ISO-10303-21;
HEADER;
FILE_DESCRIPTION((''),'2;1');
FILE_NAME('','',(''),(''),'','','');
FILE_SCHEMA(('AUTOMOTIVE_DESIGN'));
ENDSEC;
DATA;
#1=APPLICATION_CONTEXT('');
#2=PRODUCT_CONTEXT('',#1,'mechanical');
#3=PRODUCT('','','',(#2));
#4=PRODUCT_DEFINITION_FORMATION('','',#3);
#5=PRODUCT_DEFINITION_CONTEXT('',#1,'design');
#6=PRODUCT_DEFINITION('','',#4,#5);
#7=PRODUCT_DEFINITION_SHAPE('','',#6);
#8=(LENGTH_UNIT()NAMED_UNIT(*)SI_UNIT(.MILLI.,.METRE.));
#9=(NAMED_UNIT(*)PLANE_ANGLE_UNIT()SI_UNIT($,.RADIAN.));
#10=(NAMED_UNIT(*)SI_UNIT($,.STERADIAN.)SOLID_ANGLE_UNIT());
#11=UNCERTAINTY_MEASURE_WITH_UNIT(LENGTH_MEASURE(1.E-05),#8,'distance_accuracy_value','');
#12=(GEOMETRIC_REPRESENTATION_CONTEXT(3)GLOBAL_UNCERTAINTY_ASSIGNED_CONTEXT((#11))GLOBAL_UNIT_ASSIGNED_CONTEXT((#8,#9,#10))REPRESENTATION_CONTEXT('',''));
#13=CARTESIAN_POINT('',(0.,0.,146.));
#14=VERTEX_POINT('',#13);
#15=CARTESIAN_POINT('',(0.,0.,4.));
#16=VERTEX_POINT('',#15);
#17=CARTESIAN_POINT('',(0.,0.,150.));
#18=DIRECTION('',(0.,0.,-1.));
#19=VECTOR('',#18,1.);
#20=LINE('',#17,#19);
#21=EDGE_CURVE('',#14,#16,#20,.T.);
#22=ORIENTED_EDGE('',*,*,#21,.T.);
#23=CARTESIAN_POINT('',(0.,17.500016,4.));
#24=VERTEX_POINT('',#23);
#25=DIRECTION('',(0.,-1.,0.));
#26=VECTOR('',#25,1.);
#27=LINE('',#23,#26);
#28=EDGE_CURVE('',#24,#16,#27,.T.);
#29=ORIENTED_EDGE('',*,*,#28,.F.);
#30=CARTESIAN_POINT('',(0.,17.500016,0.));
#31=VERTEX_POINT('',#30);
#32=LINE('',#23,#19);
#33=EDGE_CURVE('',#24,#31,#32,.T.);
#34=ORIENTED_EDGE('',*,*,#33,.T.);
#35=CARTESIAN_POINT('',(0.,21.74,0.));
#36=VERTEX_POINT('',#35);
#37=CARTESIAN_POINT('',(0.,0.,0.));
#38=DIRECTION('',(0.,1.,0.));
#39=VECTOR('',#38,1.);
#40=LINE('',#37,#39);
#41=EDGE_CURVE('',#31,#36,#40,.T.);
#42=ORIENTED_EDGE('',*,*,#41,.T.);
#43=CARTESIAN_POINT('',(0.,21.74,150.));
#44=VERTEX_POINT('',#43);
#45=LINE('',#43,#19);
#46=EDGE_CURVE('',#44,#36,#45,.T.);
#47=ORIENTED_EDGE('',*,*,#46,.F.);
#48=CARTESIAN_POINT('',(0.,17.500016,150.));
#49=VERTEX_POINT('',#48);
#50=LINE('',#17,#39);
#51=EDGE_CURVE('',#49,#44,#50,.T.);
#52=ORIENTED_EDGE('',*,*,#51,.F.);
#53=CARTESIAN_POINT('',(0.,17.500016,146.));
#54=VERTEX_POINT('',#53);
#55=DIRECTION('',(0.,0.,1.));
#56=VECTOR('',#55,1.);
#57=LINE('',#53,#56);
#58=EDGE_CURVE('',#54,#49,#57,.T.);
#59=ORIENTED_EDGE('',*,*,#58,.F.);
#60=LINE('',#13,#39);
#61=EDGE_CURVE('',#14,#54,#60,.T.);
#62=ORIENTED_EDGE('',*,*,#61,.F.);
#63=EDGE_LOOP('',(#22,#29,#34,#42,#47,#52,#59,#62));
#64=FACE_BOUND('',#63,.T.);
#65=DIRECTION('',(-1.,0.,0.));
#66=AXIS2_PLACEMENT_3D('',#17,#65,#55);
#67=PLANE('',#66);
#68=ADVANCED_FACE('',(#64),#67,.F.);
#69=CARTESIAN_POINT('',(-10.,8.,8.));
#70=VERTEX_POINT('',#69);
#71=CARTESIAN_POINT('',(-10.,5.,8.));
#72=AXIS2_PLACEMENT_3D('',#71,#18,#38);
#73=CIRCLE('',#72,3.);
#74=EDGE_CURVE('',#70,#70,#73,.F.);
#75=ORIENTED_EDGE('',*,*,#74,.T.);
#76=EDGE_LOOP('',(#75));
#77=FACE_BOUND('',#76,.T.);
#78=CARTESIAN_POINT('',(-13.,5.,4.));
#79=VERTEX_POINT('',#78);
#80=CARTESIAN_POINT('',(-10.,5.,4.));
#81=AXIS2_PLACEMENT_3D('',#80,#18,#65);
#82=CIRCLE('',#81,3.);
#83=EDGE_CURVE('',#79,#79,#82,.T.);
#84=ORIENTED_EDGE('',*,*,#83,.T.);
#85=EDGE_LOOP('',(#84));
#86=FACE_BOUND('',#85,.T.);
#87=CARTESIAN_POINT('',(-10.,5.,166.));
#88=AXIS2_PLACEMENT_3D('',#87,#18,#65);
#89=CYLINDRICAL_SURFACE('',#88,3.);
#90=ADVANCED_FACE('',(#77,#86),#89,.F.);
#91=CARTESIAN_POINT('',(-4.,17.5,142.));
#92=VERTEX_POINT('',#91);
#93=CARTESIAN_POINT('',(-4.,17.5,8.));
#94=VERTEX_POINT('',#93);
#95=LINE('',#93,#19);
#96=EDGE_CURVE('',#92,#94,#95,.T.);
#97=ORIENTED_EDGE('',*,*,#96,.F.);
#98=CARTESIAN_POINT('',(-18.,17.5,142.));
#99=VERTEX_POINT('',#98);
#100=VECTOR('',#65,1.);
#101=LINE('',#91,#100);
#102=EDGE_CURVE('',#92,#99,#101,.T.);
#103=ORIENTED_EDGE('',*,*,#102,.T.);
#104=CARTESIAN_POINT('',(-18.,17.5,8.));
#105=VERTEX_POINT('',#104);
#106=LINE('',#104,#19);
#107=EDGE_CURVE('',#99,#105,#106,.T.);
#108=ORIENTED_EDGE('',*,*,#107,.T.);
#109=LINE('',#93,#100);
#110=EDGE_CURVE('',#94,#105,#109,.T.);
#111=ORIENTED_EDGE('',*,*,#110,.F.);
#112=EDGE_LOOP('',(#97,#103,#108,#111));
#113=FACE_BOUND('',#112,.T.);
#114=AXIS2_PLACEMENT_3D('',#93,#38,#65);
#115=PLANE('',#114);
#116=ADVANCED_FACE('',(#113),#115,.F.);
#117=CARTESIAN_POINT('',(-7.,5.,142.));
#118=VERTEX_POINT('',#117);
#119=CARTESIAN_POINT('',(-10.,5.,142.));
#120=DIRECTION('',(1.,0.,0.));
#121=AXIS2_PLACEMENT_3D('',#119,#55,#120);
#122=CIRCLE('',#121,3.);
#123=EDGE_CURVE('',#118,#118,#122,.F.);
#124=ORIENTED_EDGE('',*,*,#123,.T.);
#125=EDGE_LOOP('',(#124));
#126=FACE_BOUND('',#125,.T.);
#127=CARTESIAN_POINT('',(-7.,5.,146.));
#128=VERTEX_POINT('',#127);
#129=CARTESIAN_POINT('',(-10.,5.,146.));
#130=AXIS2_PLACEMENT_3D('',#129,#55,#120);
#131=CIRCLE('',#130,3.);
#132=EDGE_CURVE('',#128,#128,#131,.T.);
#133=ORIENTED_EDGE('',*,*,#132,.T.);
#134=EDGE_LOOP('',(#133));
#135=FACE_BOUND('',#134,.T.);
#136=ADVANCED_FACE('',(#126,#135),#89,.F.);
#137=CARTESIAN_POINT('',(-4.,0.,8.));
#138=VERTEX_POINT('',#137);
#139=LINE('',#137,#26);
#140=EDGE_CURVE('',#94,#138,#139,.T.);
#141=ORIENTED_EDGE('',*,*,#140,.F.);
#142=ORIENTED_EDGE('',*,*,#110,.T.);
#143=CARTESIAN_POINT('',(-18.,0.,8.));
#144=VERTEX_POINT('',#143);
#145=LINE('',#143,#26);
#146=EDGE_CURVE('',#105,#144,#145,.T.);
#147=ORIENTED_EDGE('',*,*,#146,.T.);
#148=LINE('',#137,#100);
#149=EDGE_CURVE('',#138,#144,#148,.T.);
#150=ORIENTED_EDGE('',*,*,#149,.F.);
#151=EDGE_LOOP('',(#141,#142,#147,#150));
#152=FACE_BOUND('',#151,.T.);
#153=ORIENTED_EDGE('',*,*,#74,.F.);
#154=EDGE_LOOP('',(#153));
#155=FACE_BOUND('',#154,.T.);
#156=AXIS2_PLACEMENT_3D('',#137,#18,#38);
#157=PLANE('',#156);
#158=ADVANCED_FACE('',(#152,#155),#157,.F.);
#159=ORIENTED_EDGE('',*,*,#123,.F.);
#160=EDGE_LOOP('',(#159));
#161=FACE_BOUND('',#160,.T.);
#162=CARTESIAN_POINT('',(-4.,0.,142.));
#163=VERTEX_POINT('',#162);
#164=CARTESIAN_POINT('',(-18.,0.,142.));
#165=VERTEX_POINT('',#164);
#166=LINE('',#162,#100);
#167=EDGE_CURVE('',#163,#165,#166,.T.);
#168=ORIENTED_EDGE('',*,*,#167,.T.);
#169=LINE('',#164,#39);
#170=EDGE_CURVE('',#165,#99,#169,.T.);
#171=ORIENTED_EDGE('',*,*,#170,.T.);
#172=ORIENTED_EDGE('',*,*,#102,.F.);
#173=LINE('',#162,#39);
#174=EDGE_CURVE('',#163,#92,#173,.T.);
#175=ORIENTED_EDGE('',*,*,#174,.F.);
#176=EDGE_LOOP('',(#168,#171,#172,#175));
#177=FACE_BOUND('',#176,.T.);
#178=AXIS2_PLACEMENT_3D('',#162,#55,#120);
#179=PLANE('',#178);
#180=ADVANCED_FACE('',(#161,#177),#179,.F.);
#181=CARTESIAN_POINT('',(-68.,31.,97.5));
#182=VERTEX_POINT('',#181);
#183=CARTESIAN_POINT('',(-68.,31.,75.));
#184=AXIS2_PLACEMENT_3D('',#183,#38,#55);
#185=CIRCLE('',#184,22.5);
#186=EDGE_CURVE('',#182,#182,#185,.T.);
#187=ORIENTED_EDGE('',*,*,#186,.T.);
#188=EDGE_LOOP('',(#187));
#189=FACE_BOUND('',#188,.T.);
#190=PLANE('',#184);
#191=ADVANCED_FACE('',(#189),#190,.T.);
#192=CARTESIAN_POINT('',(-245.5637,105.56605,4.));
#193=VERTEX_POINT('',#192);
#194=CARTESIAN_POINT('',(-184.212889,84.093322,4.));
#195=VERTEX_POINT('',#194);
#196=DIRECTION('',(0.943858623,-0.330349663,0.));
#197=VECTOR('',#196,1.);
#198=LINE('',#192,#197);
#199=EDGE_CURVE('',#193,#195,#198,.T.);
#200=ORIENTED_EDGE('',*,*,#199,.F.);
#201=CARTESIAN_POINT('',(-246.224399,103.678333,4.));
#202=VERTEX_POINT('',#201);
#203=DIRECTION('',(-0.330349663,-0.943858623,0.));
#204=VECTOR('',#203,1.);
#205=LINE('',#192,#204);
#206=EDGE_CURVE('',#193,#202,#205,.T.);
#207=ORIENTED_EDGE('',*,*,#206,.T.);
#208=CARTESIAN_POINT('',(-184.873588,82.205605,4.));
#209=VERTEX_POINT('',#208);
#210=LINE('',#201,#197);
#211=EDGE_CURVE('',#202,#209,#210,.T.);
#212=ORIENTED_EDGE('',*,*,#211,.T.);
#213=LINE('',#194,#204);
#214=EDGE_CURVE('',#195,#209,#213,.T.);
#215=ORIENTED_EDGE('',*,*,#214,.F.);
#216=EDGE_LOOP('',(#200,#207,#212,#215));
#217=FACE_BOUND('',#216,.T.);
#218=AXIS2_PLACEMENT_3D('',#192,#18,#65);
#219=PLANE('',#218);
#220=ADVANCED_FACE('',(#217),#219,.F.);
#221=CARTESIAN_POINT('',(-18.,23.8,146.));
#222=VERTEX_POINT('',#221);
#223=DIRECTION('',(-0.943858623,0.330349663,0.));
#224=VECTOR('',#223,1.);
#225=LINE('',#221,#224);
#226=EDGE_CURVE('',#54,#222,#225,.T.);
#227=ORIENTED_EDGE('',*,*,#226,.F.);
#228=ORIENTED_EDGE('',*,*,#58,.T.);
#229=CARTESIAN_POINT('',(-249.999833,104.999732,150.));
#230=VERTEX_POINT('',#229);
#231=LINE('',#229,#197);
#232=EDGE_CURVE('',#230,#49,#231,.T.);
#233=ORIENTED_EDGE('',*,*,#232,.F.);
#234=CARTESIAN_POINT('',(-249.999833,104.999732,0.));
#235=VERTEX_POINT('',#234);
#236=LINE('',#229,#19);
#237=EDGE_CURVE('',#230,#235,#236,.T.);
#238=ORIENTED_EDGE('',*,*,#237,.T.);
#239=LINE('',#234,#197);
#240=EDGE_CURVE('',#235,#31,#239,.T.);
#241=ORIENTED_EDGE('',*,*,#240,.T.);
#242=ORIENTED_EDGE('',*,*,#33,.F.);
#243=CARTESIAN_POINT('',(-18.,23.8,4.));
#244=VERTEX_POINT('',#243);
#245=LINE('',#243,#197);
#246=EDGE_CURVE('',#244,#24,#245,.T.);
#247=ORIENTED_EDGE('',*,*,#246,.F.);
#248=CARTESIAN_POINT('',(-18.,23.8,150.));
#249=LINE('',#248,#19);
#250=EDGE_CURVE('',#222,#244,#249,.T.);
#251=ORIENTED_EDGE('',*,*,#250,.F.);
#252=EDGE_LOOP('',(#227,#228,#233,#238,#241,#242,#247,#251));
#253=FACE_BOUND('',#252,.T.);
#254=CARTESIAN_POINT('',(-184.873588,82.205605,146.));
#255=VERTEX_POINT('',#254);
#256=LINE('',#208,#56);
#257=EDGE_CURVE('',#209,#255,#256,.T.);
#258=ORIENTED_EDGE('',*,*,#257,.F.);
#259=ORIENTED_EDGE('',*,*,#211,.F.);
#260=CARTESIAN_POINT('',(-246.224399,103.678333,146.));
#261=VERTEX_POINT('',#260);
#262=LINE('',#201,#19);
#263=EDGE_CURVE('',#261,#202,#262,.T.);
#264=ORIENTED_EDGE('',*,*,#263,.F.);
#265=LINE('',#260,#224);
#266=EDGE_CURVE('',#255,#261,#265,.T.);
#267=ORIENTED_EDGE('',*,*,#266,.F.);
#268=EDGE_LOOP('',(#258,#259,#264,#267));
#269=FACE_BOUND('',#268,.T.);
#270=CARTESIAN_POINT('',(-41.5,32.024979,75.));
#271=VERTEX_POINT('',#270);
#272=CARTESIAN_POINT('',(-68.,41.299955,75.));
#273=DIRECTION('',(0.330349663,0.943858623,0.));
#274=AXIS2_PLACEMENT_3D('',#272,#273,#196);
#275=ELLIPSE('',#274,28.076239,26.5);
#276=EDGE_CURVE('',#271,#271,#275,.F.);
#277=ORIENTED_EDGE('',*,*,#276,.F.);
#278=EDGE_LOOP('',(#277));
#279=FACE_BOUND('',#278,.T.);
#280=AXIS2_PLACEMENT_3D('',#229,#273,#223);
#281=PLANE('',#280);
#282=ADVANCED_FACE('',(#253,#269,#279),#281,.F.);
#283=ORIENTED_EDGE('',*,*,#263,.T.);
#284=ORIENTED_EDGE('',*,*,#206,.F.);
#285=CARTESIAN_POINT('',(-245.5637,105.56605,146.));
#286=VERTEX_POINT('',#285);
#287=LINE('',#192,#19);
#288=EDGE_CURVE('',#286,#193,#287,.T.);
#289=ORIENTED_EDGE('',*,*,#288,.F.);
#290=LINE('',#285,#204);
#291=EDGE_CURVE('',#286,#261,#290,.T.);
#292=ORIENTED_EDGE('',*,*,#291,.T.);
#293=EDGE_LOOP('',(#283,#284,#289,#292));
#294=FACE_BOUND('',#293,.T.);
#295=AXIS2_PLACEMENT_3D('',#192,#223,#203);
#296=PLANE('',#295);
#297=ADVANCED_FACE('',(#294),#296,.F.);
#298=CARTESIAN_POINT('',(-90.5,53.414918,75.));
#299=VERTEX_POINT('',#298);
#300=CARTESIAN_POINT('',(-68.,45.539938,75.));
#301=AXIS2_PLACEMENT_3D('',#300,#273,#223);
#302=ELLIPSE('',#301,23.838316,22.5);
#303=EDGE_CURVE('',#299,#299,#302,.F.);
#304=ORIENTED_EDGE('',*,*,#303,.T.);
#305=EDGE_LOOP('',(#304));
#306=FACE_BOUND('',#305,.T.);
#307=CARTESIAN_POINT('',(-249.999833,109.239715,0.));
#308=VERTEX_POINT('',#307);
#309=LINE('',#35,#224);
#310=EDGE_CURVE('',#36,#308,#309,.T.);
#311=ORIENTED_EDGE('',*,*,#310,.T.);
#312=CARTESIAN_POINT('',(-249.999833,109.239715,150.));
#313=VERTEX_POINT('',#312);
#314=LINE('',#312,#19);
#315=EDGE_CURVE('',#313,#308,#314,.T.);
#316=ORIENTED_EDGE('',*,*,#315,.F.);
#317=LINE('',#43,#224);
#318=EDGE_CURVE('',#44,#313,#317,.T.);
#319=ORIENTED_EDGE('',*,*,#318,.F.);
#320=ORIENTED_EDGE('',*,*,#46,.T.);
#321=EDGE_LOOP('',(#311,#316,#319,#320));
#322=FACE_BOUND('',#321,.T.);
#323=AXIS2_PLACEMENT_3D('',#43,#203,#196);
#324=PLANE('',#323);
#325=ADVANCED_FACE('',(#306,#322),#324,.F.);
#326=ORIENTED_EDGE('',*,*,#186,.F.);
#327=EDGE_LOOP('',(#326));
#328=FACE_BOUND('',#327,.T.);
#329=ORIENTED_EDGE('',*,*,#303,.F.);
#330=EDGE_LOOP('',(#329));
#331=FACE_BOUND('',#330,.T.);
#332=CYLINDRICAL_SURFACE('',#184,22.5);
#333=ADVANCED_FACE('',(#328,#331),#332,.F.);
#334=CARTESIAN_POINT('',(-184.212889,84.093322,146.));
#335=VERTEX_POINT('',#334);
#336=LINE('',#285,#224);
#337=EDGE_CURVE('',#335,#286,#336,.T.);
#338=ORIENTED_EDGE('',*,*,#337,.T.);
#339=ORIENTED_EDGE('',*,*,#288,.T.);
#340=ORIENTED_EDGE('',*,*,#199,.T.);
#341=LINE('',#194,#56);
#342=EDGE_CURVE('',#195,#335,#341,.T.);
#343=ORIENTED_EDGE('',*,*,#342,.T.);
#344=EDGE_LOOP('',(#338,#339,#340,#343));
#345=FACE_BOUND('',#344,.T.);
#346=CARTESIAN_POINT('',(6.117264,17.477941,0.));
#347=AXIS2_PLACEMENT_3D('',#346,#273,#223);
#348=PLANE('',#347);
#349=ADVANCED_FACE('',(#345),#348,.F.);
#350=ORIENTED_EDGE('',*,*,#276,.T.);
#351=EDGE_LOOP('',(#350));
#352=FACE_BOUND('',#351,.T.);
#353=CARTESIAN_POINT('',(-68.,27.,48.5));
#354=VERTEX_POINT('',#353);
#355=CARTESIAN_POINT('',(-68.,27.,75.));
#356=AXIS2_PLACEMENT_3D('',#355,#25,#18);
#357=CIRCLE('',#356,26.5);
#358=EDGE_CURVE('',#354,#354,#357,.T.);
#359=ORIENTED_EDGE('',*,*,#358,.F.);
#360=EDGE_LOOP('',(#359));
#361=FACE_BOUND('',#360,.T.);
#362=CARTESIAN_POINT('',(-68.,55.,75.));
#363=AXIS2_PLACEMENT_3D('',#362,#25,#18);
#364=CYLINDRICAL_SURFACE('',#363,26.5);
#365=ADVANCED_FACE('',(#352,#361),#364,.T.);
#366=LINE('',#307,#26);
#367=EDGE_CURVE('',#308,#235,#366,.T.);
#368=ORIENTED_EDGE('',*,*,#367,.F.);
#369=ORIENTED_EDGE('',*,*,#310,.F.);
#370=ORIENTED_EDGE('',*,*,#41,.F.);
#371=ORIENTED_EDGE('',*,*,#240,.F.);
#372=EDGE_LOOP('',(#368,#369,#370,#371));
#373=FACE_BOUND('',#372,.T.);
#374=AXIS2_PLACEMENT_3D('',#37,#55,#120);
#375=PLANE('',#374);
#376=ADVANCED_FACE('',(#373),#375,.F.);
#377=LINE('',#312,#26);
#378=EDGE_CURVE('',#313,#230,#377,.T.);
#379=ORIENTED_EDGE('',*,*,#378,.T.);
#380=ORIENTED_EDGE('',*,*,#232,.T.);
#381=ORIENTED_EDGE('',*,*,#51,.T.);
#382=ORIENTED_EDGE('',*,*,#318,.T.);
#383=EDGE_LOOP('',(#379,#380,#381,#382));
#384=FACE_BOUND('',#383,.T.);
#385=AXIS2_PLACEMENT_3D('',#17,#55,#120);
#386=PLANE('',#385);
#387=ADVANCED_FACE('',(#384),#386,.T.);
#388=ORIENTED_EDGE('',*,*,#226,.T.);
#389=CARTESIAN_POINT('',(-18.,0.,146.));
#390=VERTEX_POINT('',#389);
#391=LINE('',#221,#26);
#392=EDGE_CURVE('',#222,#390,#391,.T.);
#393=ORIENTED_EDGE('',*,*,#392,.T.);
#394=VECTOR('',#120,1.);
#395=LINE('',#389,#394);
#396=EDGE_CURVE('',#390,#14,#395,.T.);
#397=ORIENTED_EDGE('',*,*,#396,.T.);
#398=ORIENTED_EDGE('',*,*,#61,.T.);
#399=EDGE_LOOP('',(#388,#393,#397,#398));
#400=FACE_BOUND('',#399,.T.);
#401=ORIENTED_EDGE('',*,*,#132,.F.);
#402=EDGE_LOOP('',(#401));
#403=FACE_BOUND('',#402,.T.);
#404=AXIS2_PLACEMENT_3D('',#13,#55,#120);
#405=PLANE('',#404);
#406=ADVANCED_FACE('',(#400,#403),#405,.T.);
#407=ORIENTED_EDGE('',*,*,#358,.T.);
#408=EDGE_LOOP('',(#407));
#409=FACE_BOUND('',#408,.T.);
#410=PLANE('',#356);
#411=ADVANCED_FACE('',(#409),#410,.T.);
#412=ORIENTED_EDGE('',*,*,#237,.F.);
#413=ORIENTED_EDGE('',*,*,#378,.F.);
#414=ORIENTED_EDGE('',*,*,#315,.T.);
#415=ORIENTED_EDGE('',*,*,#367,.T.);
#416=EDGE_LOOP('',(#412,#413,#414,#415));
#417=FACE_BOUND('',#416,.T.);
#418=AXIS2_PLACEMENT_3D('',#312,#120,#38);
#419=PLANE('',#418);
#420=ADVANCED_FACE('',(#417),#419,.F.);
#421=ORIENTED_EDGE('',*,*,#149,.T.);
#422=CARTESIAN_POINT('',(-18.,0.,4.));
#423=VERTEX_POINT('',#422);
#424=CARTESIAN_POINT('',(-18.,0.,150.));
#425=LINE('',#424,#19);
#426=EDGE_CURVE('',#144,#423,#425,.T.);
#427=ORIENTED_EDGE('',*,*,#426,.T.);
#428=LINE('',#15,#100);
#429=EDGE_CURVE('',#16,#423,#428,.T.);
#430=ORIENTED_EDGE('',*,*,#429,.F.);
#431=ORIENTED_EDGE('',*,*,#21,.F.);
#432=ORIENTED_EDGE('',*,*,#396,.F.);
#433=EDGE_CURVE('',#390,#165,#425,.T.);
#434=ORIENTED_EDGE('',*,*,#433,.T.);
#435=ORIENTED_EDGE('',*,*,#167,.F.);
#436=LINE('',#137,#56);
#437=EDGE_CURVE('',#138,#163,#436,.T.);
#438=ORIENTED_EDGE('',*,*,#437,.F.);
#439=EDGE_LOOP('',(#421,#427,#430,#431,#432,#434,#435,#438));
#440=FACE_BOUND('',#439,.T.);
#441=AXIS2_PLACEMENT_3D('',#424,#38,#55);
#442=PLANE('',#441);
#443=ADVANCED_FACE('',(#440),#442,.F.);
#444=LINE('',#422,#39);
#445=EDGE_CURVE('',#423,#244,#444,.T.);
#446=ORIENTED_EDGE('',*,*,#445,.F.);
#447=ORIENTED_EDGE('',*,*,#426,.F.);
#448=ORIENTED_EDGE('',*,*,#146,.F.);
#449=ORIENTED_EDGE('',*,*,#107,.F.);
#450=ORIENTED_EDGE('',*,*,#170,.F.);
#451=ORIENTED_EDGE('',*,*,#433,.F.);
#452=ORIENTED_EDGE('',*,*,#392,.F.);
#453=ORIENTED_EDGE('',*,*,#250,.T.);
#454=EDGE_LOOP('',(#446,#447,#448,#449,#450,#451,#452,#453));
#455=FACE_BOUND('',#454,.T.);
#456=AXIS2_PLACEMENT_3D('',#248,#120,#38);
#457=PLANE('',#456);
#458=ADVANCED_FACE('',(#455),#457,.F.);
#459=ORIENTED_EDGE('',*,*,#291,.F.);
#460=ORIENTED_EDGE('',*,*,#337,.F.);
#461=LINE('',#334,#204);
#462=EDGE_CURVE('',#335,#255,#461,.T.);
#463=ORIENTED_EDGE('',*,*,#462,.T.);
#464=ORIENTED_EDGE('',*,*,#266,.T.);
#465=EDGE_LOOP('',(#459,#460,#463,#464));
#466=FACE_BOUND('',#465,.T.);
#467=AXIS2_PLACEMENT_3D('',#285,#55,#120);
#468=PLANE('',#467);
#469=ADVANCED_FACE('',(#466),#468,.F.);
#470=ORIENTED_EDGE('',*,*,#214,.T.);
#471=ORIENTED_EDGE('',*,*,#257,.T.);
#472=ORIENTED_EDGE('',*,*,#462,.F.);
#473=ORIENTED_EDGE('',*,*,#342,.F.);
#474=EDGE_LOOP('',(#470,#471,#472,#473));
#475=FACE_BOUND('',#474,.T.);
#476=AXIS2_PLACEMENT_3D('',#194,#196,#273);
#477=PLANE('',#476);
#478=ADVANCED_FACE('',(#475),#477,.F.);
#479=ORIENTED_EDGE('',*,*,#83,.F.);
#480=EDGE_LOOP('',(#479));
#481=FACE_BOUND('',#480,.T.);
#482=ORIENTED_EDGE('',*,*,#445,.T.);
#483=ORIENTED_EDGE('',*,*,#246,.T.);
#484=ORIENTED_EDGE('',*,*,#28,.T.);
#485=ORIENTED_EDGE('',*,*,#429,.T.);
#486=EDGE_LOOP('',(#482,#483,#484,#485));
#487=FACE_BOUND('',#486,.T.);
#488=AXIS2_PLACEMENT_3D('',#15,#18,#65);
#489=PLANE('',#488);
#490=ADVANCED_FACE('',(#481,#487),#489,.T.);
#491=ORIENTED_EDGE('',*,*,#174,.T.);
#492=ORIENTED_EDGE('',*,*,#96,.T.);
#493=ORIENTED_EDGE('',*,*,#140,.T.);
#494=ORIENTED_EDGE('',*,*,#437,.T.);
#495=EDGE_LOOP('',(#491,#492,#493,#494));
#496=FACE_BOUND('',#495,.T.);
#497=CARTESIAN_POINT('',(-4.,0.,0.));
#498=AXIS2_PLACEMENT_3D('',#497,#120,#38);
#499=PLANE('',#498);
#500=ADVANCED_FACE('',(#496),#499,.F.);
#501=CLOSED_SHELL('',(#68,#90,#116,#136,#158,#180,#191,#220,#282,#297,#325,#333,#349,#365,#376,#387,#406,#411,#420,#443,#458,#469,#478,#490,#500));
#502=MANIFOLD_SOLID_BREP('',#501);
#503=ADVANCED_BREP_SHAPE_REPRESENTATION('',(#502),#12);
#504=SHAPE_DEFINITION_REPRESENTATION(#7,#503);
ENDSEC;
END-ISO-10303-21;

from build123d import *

# Parameters (mm, degrees)
BOSS_EXTRUDE1_DEPTH = 150
CUT_EXTRUDE1_DEPTH  = 4
CUT_EXTRUDE2_DEPTH  = 4
SKETCH4_R           = 3
CUT_EXTRUDE3_DEPTH  = 162
SKETCH6_W           = 134
SKETCH6_H           = 17.5
CUT_EXTRUDE4_DEPTH  = 14
SKETCH9_R           = 22.5
CUT_EXTRUDE5_DEPTH  = 83
SKETCH10_R          = 26.5
BOSS_EXTRUDE2_DEPTH = 55
SKETCH12_R          = 26.5
CUT_EXTRUDE6_DEPTH  = 27
SKETCH13_R          = 22.5
CUT_EXTRUDE7_DEPTH  = 24
SKETCH14_W          = 65
SKETCH14_H          = 142
CUT_EXTRUDE8_DEPTH  = 2
SKETCH15_W          = 73.049040635
SKETCH15_H          = 56.643959476
CUT_EXTRUDE9_DEPTH  = 22


with BuildPart() as part:
    # Sketch1 → Boss-Extrude1 (new body)
    with BuildSketch(Plane.XY):
        Polygon((0, 0), (0, 21.74), (-249.999833435, 109.239715329), (-249.999833435, 104.999731628), (-18, 23.8), (-18, 0), align=None)
    extrude(amount=BOSS_EXTRUDE1_DEPTH)

    # Sketch2 → Cut-Extrude1 (cut)
    with BuildSketch(Plane.XY.offset(150)):
        Polygon((-18, 23.8), (0, 17.500016299), (0, 0), (-18, 0), align=None)
    extrude(amount=-CUT_EXTRUDE1_DEPTH, mode=Mode.SUBTRACT)

    # Sketch3 → Cut-Extrude2 (cut)
    with BuildSketch(Plane(origin=(0, 0, 0), x_dir=(-1, 0, 0), z_dir=(0, 0, -1))):
        Polygon((18, 0), (18, 23.8), (0, 17.500016299), (0, 0), align=None)
    extrude(amount=-CUT_EXTRUDE2_DEPTH, mode=Mode.SUBTRACT)

    # Sketch4 → Cut-Extrude3 (cut)
    with BuildSketch(Plane(origin=(0, 0, 4), x_dir=(-1, 0, 0), z_dir=(0, 0, -1))):
        with Locations((10, 5)):
            Circle(SKETCH4_R)
    extrude(amount=-CUT_EXTRUDE3_DEPTH, mode=Mode.SUBTRACT)

    # Sketch6 → Cut-Extrude4 (cut)
    with BuildSketch(Plane.ZY.offset(18)):
        with Locations((75, 8.75)):
            Rectangle(SKETCH6_W, SKETCH6_H)
    extrude(amount=-CUT_EXTRUDE4_DEPTH, mode=Mode.SUBTRACT)

    # Sketch9 → Cut-Extrude5 (cut)
    with BuildSketch(Plane(origin=(0, 0, 0), x_dir=(1, 0, 0), z_dir=(0, 1, 0))):
        with Locations((-68, -75)):
            Circle(SKETCH9_R)
    extrude(amount=CUT_EXTRUDE5_DEPTH, mode=Mode.SUBTRACT)

    # Sketch10 → Boss-Extrude2 (add)
    with BuildSketch(Plane(origin=(0, 0, 0), x_dir=(1, 0, 0), z_dir=(0, 1, 0))):
        with Locations((-68, -75)):
            Circle(SKETCH10_R)
    extrude(amount=BOSS_EXTRUDE2_DEPTH)

    # Sketch12 → Cut-Extrude6 (cut)
    with BuildSketch(Plane.XZ):
        with Locations(Location((-68, 75, 0), (0, 0, 270))):
            Circle(SKETCH12_R)
    extrude(amount=-CUT_EXTRUDE6_DEPTH, mode=Mode.SUBTRACT)

    # Sketch13 → Cut-Extrude7 (cut)
    with BuildSketch(Plane(origin=(0, 55, 0), x_dir=(1, 0, 0), z_dir=(0, 1, 0))):
        with Locations(Location((-68, -75, 0), (0, 0, 270))):
            Circle(SKETCH13_R)
    extrude(amount=-CUT_EXTRUDE7_DEPTH, mode=Mode.SUBTRACT)

    # Sketch14 → Cut-Extrude8 (cut)
    with BuildSketch(Plane(origin=(5.456564202, 15.590223769, 0), x_dir=(0.9438586228518121, -0.3303496633391366, 0), z_dir=(-0.3303496633391366, -0.9438586228518121, 0))):
        with Locations((-234.151124493, 75)):
            Rectangle(SKETCH14_W, SKETCH14_H)
    extrude(amount=-CUT_EXTRUDE8_DEPTH, mode=Mode.SUBTRACT)

    # Sketch15 → Cut-Extrude9 (cut)
    with BuildSketch(Plane(origin=(6.778605444, 19.367494233, 0), x_dir=(0.9438586228518122, -0.330349663339136, 0), z_dir=(0.330349663339136, 0.9438586228518122, 0))):
        with Locations((-76.286643032, -75.675013618)):
            Rectangle(SKETCH15_W, SKETCH15_H)
    extrude(amount=CUT_EXTRUDE9_DEPTH, mode=Mode.SUBTRACT)


solid = part.part
